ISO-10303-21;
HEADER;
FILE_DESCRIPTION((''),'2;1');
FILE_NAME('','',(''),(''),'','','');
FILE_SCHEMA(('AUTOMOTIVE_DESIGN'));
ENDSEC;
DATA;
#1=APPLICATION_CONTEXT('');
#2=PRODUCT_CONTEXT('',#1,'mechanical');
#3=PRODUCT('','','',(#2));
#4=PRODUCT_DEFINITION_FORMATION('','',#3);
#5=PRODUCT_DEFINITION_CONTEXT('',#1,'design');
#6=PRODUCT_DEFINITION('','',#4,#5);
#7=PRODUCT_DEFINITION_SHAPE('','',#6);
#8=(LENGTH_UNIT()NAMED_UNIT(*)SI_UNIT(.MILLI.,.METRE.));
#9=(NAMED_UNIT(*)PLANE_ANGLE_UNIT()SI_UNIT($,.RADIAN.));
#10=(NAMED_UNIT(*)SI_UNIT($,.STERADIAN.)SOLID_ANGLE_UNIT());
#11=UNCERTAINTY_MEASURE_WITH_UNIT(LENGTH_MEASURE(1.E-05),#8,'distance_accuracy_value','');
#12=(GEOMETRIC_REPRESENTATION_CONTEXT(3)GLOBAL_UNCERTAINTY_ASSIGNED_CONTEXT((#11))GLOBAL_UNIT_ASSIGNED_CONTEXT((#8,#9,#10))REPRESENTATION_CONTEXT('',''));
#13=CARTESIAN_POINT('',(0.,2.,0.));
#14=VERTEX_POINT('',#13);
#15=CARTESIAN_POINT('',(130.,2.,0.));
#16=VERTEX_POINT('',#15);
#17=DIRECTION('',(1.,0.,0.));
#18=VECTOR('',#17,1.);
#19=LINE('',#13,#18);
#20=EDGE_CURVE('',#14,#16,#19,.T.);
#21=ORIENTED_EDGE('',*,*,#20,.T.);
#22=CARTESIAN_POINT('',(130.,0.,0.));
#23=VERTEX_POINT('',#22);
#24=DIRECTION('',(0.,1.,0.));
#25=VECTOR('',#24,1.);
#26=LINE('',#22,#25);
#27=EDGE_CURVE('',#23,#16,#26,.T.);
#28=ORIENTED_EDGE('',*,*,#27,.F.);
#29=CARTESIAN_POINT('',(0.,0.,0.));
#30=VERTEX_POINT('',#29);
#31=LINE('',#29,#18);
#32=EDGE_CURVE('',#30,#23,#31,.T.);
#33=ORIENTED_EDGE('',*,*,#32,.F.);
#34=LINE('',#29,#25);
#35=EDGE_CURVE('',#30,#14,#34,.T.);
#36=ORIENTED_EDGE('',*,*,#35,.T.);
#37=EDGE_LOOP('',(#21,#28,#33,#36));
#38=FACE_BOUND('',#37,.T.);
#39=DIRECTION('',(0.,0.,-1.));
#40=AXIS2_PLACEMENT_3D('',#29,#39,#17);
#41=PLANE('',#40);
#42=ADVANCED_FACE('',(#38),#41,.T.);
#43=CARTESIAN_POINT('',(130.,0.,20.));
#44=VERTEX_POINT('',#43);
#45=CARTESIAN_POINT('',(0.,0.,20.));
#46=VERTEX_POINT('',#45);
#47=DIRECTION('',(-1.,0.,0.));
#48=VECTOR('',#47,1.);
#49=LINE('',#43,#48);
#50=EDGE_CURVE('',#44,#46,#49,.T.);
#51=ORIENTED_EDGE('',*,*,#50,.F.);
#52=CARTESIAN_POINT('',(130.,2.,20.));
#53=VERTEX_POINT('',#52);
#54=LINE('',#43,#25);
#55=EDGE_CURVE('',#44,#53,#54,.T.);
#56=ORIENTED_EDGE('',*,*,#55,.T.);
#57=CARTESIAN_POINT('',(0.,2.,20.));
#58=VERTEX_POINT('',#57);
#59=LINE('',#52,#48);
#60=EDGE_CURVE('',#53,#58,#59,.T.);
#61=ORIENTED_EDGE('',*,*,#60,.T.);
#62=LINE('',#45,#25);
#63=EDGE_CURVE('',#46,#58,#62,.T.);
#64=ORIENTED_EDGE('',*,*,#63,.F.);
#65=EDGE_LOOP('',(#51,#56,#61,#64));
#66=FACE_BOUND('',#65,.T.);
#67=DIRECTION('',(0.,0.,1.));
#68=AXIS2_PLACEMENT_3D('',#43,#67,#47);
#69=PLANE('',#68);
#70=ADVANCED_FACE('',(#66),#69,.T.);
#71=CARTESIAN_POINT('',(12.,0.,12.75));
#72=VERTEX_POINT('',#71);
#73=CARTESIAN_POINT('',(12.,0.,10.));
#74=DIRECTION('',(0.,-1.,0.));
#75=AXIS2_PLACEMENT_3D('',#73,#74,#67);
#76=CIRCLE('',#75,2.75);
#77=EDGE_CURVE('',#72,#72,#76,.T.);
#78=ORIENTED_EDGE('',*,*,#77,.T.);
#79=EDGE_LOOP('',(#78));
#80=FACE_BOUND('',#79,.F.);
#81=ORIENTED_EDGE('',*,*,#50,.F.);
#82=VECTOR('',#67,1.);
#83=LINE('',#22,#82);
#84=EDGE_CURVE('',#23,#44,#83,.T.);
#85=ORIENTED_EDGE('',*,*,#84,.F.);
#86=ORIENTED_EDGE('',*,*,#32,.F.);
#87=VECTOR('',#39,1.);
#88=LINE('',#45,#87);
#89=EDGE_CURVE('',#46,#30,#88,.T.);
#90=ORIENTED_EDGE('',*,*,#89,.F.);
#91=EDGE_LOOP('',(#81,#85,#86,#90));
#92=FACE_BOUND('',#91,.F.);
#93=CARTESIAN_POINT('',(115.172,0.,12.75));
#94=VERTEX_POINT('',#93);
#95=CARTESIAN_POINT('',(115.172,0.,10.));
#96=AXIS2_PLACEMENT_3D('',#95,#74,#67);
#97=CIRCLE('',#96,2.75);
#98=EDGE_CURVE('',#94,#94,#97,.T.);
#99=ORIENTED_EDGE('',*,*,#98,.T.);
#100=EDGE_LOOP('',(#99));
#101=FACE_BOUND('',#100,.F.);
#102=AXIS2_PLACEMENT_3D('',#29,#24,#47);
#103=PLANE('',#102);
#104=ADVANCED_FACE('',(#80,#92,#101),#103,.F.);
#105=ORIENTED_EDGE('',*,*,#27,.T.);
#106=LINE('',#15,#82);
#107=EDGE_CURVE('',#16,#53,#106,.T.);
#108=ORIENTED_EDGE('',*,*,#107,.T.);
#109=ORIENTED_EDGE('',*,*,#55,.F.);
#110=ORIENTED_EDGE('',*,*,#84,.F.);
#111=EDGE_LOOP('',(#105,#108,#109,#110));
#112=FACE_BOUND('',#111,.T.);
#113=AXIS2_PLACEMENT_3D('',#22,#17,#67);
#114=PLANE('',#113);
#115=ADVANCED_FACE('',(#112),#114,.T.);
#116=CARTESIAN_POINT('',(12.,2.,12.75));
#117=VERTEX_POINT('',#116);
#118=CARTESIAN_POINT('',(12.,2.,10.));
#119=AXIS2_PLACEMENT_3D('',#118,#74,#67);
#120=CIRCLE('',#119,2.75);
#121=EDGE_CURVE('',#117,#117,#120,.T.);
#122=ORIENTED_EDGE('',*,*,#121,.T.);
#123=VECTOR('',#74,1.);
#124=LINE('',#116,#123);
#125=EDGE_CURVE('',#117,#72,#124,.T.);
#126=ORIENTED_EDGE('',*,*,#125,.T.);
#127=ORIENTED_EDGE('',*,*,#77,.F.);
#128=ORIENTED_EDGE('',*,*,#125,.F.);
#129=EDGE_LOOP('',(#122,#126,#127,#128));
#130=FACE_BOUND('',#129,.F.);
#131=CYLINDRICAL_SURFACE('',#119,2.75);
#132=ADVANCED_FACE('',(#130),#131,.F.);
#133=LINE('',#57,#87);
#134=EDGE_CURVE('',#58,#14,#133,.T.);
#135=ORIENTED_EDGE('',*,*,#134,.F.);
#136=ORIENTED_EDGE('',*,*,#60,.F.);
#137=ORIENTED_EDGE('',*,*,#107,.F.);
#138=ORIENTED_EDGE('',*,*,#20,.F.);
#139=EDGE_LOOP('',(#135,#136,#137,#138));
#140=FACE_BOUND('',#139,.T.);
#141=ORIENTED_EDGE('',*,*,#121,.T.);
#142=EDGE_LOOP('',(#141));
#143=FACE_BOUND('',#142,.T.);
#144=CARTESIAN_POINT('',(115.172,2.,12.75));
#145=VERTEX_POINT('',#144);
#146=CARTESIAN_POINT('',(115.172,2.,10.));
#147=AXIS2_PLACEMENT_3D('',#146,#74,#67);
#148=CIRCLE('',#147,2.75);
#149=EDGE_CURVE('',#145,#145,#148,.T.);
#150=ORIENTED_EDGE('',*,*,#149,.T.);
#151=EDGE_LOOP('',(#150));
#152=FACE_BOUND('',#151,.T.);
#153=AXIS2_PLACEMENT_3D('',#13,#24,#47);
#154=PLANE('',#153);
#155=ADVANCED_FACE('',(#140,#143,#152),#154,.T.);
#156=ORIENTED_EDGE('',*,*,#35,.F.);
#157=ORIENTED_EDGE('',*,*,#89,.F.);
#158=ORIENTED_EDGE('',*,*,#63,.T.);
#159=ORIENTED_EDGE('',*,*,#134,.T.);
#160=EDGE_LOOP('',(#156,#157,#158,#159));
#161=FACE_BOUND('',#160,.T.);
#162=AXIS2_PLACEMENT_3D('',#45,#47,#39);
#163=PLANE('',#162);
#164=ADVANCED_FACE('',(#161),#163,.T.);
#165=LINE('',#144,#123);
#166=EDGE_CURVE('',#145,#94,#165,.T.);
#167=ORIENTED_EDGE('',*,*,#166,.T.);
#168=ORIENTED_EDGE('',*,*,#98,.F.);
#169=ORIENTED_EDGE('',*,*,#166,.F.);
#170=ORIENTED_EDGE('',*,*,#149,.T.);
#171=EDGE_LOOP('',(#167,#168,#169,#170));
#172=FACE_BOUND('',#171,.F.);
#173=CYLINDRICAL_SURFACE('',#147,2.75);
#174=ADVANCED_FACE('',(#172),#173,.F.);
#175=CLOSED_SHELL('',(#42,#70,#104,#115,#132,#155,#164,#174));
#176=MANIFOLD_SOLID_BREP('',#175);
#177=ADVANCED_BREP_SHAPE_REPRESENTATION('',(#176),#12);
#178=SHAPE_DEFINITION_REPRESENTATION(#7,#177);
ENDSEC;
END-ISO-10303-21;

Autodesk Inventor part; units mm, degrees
ref_plane "YZ Plane" through (0, 0, 0) normal (1, 0, 0) x (0, 1, 0)
ref_plane "XZ Plane" through (0, 0, 0) normal (0, 1, 0) x (-1, 0, 0)
ref_plane "XY Plane" through (0, 0, 0) normal (0, 0, 1) x (1, 0, 0)
sketch "Sketch1" plane through (0, 0, 0) normal (0, 1, 0) x (-1, 0, 0)
  line L0 (0, 0) -> (-130, 0)
  line L1 (-130, 0) -> (-130, 20)
  line L2 (-130, 20) -> (0, 20)
  line L3 (0, 20) -> (0, 0)
  dimension "d0" = 130
  dimension "d1" = 20
extrude "Extrusion1" add sketch "Sketch1" along normal blind 2
hole "Hole1" at (12, 2, 10) direction (0, -1, 0) diameter 5.5 end through all
pattern_linear "Rectangular Pattern1" count 2 spacing 103.172 along (1, 0, 0) of "Hole1"
properties part number "lastflat bar" material "Aluminum 6061"
